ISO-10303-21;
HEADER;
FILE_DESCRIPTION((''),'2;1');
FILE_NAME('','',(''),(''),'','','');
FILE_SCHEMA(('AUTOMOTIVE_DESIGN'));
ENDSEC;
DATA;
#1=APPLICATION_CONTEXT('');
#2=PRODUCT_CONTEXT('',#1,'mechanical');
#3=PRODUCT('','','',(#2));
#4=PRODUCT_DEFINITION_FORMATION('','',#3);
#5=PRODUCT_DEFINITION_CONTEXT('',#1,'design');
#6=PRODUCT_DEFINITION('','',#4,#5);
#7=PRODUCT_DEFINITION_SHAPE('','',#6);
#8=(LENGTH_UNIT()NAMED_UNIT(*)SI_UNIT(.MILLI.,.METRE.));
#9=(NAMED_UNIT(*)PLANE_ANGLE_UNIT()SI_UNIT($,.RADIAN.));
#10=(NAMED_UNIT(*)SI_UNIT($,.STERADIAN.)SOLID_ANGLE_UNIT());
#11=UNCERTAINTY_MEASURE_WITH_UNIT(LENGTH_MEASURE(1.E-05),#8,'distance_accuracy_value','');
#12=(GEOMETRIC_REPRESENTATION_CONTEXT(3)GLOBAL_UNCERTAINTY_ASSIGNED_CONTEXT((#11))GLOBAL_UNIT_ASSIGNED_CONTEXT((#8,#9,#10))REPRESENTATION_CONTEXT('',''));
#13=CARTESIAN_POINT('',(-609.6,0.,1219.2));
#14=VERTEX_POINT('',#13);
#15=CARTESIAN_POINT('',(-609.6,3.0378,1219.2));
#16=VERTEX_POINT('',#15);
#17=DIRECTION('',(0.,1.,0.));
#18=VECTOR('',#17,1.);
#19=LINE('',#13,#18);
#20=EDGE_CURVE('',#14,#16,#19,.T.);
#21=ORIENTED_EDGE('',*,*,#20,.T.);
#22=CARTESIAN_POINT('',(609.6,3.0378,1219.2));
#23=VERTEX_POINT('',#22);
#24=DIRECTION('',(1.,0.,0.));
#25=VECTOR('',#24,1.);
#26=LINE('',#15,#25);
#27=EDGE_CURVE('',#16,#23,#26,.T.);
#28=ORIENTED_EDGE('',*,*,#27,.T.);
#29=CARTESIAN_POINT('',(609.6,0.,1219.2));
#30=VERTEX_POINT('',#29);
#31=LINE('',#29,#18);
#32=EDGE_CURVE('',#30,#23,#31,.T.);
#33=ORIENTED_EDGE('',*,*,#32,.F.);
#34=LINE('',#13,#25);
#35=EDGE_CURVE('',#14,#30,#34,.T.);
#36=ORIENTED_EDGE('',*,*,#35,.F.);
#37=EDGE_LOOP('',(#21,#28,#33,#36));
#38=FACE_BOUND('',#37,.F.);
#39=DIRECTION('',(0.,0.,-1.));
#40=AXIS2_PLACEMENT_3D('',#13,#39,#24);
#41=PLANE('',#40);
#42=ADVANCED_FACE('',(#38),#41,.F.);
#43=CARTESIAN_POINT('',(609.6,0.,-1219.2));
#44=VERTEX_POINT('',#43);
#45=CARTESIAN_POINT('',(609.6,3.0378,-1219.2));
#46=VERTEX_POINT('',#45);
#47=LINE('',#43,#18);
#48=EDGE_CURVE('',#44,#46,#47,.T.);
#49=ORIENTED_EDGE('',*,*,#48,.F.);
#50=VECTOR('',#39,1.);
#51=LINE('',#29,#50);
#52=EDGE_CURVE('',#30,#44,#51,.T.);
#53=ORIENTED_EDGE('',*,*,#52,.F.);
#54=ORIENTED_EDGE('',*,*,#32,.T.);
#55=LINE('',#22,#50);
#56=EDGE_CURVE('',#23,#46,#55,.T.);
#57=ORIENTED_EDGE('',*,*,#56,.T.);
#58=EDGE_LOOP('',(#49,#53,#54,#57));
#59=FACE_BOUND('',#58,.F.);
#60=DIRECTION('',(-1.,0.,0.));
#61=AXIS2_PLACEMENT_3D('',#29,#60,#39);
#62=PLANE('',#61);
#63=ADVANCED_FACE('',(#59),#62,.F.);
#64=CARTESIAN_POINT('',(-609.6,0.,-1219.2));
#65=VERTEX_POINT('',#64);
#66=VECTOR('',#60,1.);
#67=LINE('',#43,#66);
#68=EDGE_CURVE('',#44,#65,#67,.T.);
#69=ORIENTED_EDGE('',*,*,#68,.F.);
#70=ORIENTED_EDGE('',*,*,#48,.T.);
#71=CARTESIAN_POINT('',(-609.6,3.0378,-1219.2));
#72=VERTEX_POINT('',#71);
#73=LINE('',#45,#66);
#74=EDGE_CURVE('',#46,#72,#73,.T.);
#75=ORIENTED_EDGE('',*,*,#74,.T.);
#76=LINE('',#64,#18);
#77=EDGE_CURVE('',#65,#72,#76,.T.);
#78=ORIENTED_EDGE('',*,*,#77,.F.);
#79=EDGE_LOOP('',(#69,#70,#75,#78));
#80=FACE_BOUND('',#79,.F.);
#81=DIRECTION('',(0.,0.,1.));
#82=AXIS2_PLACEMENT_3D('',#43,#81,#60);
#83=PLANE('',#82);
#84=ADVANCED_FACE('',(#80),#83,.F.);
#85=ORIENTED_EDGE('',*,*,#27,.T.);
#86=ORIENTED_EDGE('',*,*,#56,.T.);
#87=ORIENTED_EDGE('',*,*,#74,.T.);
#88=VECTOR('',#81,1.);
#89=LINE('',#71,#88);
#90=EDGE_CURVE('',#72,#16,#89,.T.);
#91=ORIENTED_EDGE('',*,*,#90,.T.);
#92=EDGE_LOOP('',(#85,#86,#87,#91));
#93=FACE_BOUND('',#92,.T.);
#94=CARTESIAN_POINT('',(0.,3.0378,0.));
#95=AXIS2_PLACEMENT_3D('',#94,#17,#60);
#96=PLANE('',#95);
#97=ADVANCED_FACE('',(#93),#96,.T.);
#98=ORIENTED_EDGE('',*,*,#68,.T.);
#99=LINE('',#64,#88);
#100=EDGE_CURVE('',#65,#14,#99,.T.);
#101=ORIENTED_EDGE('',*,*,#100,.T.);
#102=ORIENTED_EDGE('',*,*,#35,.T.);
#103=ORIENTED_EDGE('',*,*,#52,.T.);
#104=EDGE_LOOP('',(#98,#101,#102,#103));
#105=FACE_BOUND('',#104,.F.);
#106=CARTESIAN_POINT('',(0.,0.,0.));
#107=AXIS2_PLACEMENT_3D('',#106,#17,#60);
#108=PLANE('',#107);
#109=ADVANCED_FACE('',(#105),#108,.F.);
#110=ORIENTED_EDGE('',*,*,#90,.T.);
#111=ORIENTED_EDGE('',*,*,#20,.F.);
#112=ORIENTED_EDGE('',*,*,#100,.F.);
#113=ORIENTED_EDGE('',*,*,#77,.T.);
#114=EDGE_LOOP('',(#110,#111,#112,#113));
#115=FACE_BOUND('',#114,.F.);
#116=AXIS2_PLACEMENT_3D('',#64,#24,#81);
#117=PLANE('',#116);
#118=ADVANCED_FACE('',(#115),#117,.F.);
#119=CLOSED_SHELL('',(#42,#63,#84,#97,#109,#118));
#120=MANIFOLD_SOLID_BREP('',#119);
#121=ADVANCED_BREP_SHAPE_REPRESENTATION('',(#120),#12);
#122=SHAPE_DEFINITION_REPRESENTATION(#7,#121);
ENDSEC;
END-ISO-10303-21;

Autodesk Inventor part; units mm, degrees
ref_plane "YZ Plane" through (0, 0, 0) normal (1, 0, 0) x (0, 1, 0)
ref_plane "XZ Plane" through (0, 0, 0) normal (0, 1, 0) x (-1, 0, 0)
ref_plane "XY Plane" through (0, 0, 0) normal (0, 0, 1) x (1, 0, 0)
sketch "Sketch1" plane through (0, 0, 0) normal (0, 1, 0) x (-1, 0, 0)
  line L0 (609.6, 1219.2) -> (-609.6, 1219.2)
  line L1 (-609.6, 1219.2) -> (-609.6, -1219.2)
  line L2 (-609.6, -1219.2) -> (609.6, -1219.2)
  line L3 (609.6, -1219.2) -> (609.6, 1219.2)
  line L4 (609.6, 1219.2) -> (-609.6, -1219.2) construction
  line L5 (-609.6, 1219.2) -> (609.6, -1219.2) construction
  point P0 (0, 0)
  dimension "d0" = 1219.2
  dimension "d1" = 2438.4
extrude "Extrusion1" add sketch "Sketch1" along normal blind 3.0378
properties part number "A1-18002-100-01 Floor" material "Steel, Mild"
